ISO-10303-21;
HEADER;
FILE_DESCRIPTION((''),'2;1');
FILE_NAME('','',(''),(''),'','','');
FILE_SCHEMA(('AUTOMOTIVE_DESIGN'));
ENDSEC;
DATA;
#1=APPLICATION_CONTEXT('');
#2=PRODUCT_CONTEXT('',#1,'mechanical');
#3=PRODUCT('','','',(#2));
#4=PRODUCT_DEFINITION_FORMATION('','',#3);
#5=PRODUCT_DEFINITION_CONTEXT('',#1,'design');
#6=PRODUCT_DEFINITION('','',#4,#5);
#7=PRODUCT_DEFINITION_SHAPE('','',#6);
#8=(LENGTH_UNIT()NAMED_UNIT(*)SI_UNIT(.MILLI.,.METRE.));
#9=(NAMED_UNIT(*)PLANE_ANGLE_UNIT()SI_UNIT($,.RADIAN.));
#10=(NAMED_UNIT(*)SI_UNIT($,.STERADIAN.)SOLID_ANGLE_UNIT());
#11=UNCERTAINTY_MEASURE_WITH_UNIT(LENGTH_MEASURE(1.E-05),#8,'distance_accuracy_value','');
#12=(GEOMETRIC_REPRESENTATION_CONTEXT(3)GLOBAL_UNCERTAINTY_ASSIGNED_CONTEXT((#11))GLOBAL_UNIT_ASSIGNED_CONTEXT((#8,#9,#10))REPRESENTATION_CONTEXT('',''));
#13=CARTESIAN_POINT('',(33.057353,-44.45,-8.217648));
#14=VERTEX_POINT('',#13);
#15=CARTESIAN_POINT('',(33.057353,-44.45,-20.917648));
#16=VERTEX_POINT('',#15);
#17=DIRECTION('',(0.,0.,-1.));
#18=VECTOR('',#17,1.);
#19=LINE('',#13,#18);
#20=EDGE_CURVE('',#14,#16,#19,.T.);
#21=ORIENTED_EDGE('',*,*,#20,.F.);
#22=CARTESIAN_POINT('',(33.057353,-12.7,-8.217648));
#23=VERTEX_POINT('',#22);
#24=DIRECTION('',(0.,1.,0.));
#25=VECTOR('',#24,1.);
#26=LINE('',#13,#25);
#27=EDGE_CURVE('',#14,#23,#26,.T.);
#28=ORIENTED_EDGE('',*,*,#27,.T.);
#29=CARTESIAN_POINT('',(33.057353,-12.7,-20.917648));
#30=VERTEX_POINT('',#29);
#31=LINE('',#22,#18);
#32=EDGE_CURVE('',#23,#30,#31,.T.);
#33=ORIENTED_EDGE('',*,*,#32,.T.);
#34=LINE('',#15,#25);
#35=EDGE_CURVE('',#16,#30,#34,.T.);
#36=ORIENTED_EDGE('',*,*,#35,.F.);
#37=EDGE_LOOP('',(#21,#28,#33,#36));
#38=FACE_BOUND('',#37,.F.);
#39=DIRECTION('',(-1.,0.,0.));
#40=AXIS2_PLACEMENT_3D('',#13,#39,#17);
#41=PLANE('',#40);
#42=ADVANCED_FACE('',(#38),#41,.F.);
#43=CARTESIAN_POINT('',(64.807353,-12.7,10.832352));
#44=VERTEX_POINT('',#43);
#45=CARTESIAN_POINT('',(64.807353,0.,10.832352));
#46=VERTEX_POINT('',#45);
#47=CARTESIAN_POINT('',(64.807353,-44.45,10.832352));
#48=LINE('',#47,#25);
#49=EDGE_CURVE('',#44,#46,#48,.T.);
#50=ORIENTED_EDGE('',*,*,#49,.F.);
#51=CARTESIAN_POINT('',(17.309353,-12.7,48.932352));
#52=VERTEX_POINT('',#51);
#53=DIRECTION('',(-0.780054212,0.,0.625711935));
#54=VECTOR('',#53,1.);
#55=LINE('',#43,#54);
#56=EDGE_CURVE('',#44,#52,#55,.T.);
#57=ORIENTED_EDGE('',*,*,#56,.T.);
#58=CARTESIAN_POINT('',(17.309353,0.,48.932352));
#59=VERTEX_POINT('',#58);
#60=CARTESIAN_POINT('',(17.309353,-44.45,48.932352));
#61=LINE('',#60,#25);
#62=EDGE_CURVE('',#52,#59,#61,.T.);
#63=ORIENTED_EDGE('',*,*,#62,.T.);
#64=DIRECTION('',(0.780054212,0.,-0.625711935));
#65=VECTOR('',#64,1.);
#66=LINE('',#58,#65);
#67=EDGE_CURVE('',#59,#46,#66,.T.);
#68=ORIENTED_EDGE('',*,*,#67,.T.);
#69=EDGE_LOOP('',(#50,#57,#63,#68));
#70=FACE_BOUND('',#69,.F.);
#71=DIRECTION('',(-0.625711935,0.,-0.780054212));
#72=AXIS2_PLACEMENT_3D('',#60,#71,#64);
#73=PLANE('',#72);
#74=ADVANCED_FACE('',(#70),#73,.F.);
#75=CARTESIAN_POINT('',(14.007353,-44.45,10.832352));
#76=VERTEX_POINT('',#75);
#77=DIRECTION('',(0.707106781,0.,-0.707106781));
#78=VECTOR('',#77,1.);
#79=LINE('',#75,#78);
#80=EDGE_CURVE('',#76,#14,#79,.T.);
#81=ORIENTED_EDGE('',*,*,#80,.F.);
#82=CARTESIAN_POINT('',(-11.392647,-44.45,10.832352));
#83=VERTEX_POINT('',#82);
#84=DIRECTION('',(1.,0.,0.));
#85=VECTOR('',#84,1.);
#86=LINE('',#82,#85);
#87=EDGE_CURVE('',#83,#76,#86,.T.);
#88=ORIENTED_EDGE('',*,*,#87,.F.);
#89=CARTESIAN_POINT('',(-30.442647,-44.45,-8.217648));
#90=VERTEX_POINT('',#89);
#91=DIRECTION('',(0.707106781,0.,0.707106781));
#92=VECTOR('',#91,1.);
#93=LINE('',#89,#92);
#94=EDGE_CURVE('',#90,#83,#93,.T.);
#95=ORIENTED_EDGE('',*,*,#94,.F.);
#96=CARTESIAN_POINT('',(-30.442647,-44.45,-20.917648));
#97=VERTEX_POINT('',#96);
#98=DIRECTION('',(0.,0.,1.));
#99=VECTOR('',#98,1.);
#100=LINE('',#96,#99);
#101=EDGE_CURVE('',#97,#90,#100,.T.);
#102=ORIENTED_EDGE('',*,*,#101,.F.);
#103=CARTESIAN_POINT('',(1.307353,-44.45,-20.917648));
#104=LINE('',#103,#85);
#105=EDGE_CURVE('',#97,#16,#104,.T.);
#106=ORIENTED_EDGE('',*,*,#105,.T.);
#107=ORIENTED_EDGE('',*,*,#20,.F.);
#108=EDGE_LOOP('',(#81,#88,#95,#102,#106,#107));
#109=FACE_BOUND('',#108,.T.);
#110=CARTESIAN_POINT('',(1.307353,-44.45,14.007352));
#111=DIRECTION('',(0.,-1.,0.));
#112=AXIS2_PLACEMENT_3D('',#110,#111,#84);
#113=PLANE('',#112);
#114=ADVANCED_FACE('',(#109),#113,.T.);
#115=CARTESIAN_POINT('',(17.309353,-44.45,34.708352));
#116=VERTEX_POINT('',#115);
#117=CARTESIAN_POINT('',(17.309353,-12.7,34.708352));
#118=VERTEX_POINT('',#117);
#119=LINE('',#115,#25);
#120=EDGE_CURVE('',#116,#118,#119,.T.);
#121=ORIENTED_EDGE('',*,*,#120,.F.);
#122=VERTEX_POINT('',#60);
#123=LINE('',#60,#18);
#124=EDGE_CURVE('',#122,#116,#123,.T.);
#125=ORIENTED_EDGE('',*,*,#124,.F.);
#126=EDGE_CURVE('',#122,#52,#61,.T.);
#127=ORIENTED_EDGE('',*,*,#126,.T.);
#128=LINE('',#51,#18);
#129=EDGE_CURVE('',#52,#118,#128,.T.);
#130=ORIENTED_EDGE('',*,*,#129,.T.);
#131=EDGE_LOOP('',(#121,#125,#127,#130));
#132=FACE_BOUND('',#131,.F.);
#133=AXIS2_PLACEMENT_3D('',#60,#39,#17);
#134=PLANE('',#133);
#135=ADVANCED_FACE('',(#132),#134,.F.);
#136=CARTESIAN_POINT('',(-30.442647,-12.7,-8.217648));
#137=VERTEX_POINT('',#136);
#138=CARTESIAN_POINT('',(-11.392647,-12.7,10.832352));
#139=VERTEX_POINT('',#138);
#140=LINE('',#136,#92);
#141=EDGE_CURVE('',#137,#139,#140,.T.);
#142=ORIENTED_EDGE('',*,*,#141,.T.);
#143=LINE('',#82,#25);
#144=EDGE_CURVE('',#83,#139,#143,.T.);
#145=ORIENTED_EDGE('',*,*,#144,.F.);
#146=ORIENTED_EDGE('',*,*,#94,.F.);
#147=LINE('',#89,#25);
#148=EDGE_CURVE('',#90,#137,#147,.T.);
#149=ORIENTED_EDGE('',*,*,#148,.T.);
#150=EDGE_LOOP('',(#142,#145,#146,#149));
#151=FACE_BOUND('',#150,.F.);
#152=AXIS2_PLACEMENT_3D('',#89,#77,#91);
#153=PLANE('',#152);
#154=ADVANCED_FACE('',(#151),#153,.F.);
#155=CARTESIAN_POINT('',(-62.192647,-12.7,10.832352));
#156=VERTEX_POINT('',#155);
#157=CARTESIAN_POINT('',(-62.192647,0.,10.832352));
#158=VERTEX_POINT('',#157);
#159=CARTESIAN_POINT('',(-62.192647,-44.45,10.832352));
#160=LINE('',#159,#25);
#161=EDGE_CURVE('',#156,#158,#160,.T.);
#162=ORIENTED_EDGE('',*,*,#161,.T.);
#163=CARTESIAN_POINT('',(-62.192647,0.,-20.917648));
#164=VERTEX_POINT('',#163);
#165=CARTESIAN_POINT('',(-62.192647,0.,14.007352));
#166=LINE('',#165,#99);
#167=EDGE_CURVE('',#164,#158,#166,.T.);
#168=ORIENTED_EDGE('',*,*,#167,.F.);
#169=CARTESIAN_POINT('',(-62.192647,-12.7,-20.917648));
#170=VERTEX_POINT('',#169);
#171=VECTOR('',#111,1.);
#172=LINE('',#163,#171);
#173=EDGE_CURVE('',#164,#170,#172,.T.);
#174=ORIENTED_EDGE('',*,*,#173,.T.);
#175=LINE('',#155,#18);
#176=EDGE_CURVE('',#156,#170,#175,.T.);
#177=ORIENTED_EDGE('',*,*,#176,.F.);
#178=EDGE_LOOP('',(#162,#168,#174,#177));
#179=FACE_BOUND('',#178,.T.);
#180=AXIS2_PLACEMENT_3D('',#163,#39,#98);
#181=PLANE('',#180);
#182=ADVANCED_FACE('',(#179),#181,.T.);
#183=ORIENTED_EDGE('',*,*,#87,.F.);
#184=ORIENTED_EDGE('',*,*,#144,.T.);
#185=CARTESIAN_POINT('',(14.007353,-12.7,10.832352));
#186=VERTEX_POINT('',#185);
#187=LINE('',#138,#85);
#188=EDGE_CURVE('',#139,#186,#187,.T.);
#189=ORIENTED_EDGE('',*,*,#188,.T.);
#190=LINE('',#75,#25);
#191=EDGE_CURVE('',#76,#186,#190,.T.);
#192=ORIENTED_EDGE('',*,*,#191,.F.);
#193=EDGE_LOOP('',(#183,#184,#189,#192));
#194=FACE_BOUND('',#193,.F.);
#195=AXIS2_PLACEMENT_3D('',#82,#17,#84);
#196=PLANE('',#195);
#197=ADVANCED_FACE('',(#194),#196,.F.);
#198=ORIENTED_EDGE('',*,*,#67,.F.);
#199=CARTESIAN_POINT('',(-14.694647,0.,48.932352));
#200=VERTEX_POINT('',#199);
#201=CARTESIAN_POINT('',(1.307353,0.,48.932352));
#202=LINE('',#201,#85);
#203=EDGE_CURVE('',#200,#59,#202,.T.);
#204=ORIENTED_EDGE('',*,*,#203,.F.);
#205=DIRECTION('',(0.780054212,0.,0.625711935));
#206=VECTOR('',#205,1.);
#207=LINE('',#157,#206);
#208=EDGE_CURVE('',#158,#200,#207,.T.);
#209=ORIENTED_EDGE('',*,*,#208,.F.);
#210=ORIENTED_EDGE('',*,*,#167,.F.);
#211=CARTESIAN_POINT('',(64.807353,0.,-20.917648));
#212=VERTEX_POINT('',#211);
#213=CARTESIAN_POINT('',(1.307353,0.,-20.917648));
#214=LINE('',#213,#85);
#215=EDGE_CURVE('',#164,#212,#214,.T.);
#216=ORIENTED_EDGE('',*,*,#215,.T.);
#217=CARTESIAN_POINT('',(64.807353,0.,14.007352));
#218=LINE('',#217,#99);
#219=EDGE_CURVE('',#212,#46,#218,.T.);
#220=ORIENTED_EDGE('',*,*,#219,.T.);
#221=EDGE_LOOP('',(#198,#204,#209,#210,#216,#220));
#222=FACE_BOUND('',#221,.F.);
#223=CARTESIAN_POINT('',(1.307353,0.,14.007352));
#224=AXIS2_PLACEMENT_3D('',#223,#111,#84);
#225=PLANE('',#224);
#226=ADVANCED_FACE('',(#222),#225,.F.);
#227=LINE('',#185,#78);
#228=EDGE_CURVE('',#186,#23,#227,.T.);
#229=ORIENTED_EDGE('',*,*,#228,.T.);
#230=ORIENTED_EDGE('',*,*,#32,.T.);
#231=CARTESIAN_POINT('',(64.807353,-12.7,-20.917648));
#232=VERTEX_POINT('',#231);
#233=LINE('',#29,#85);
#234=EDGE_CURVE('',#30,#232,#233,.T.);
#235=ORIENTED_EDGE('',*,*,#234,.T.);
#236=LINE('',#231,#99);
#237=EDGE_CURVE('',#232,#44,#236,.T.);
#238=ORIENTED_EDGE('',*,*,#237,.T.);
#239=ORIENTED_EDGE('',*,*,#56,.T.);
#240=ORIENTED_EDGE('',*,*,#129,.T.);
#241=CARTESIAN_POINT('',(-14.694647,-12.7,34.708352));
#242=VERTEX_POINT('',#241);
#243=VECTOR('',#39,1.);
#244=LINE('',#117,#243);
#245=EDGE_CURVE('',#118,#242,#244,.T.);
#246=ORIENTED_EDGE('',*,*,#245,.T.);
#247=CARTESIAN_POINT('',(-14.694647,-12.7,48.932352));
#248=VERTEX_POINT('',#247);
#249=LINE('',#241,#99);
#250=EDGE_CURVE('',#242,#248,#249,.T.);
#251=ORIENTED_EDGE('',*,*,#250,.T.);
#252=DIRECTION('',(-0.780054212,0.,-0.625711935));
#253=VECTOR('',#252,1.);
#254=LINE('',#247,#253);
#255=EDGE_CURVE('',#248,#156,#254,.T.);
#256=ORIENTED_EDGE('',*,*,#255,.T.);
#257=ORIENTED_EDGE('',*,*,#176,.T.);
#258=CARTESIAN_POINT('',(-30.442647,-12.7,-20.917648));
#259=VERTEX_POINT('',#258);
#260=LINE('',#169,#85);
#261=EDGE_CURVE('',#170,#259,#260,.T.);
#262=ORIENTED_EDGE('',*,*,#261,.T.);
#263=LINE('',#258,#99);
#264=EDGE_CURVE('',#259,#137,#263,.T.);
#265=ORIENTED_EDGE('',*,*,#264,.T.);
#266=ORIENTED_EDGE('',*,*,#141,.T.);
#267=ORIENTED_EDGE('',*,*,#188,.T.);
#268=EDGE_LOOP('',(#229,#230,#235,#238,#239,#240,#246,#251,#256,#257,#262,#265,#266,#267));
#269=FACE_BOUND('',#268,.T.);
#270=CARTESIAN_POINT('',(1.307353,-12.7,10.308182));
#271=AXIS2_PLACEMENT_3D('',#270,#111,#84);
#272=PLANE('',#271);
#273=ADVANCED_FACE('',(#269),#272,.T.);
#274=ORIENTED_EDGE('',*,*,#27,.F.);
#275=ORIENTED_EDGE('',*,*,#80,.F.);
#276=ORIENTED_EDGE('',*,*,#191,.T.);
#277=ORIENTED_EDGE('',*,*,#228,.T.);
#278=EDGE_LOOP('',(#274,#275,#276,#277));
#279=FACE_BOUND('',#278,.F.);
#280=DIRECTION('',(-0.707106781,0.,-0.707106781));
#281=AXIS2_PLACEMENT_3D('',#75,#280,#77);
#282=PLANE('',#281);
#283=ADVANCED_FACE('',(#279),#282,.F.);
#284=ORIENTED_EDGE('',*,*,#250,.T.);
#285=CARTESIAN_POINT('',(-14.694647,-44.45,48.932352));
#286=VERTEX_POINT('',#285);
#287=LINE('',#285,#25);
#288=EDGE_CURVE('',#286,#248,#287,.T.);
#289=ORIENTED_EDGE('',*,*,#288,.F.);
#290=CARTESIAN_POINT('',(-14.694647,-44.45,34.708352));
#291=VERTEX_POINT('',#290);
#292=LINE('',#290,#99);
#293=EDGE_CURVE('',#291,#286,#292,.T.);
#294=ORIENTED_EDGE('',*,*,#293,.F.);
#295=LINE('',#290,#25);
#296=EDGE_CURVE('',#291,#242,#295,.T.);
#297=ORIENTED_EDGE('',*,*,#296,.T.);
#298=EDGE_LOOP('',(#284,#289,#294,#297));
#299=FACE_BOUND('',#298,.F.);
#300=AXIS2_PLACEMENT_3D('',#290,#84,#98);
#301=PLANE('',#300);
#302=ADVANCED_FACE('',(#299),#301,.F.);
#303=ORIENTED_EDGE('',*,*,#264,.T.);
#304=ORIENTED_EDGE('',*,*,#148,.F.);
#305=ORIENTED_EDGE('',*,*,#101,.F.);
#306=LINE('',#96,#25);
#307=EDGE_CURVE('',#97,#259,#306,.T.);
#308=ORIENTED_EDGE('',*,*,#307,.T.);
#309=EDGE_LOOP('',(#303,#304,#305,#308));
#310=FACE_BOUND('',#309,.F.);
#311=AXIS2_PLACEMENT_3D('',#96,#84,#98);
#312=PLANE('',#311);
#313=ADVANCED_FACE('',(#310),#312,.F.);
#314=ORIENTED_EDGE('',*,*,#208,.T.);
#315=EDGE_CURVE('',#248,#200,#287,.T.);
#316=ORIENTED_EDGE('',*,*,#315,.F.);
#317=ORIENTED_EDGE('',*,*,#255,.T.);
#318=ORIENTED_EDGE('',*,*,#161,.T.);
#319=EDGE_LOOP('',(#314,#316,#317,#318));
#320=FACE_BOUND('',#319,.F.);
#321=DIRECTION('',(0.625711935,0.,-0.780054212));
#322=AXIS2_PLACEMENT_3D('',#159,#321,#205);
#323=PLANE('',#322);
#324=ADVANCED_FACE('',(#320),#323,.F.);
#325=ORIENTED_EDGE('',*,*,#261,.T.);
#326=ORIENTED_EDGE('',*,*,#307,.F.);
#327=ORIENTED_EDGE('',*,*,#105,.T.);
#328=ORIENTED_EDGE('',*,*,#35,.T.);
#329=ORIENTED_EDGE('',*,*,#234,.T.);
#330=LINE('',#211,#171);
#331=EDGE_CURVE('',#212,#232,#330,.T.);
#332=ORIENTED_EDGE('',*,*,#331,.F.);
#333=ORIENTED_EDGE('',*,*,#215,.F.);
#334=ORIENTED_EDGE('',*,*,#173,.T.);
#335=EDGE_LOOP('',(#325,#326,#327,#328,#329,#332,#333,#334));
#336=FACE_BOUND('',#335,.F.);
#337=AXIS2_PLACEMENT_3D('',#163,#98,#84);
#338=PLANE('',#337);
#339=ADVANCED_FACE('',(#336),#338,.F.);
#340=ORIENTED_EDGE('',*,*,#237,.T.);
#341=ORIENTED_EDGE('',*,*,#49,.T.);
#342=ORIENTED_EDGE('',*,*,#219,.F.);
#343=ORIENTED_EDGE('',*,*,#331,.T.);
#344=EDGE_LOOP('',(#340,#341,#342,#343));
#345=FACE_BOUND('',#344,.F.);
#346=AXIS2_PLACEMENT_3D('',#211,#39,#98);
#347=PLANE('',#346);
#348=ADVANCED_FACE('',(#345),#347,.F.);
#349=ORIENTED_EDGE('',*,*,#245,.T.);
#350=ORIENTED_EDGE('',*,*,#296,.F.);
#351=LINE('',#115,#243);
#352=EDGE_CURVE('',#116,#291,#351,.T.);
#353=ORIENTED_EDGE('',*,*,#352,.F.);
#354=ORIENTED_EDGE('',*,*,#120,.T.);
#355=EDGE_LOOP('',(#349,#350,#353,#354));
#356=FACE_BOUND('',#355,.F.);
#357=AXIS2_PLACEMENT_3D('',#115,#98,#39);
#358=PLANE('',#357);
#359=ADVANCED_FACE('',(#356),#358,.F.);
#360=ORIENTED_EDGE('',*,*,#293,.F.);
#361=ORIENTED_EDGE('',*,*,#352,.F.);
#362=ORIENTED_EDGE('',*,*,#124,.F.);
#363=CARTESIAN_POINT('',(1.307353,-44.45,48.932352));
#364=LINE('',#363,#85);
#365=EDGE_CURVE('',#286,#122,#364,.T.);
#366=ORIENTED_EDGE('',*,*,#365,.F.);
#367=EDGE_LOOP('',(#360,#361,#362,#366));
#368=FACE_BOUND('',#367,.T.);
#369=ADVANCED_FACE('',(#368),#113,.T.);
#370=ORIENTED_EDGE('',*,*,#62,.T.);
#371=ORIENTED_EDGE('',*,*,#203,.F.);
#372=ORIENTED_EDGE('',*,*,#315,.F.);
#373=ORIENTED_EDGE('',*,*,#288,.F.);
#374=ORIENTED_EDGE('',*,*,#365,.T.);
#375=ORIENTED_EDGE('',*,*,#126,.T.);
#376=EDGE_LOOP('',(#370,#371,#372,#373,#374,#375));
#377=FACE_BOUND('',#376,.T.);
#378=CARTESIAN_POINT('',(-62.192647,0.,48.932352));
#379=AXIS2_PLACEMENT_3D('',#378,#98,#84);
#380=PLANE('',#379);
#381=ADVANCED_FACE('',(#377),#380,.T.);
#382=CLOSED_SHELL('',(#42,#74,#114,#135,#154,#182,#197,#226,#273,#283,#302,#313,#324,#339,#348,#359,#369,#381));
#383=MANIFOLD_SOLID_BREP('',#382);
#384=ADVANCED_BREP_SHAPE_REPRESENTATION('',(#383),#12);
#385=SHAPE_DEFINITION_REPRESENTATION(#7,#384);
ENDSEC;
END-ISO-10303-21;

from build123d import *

# Parameters (mm, degrees)
F0_W     = 127
F0_H     = 69.85
F1_DEPTH = 44.45
F3_DEPTH = 44.45
F5_DEPTH = 31.75


with BuildPart() as f1:
    # F0 (on Front) → F1 (new body)
    with BuildSketch(Plane.XZ):
        with Locations((1.307353, 14.007352)):
            Rectangle(F0_W, F0_H)
    extrude(amount=F1_DEPTH)

    # F2 (on face) → F3 (cut)
    with BuildSketch(Plane.XZ.offset(44.45)):
        Polygon((17.309353, 48.932352), (64.807353, 10.832352), (64.807353, 48.932352), align=None)
        Polygon((-62.192647, 48.932352), (-62.192647, 10.832352), (-14.694647, 48.932352), align=None)
    extrude(amount=-F3_DEPTH, mode=Mode.SUBTRACT)

    # F4 (on face) → F5 (cut)
    with BuildSketch(Plane.XZ.offset(44.45)):
        Polygon((64.807353, 10.832352), (17.309353, 48.932352), (17.309353, 34.708352), (-14.694647, 34.708352), (-14.694647, 48.932352), (-62.192647, 10.832352), (-62.192647, -20.917648), (-30.442647, -20.917648), (-30.442647, -8.217648), (-11.392647, 10.832352), (14.007353, 10.832352), (33.057353, -8.217648), (33.057353, -20.917648), (64.807353, -20.917648), align=None)
    extrude(amount=-F5_DEPTH, mode=Mode.SUBTRACT)


solid = f1.part
